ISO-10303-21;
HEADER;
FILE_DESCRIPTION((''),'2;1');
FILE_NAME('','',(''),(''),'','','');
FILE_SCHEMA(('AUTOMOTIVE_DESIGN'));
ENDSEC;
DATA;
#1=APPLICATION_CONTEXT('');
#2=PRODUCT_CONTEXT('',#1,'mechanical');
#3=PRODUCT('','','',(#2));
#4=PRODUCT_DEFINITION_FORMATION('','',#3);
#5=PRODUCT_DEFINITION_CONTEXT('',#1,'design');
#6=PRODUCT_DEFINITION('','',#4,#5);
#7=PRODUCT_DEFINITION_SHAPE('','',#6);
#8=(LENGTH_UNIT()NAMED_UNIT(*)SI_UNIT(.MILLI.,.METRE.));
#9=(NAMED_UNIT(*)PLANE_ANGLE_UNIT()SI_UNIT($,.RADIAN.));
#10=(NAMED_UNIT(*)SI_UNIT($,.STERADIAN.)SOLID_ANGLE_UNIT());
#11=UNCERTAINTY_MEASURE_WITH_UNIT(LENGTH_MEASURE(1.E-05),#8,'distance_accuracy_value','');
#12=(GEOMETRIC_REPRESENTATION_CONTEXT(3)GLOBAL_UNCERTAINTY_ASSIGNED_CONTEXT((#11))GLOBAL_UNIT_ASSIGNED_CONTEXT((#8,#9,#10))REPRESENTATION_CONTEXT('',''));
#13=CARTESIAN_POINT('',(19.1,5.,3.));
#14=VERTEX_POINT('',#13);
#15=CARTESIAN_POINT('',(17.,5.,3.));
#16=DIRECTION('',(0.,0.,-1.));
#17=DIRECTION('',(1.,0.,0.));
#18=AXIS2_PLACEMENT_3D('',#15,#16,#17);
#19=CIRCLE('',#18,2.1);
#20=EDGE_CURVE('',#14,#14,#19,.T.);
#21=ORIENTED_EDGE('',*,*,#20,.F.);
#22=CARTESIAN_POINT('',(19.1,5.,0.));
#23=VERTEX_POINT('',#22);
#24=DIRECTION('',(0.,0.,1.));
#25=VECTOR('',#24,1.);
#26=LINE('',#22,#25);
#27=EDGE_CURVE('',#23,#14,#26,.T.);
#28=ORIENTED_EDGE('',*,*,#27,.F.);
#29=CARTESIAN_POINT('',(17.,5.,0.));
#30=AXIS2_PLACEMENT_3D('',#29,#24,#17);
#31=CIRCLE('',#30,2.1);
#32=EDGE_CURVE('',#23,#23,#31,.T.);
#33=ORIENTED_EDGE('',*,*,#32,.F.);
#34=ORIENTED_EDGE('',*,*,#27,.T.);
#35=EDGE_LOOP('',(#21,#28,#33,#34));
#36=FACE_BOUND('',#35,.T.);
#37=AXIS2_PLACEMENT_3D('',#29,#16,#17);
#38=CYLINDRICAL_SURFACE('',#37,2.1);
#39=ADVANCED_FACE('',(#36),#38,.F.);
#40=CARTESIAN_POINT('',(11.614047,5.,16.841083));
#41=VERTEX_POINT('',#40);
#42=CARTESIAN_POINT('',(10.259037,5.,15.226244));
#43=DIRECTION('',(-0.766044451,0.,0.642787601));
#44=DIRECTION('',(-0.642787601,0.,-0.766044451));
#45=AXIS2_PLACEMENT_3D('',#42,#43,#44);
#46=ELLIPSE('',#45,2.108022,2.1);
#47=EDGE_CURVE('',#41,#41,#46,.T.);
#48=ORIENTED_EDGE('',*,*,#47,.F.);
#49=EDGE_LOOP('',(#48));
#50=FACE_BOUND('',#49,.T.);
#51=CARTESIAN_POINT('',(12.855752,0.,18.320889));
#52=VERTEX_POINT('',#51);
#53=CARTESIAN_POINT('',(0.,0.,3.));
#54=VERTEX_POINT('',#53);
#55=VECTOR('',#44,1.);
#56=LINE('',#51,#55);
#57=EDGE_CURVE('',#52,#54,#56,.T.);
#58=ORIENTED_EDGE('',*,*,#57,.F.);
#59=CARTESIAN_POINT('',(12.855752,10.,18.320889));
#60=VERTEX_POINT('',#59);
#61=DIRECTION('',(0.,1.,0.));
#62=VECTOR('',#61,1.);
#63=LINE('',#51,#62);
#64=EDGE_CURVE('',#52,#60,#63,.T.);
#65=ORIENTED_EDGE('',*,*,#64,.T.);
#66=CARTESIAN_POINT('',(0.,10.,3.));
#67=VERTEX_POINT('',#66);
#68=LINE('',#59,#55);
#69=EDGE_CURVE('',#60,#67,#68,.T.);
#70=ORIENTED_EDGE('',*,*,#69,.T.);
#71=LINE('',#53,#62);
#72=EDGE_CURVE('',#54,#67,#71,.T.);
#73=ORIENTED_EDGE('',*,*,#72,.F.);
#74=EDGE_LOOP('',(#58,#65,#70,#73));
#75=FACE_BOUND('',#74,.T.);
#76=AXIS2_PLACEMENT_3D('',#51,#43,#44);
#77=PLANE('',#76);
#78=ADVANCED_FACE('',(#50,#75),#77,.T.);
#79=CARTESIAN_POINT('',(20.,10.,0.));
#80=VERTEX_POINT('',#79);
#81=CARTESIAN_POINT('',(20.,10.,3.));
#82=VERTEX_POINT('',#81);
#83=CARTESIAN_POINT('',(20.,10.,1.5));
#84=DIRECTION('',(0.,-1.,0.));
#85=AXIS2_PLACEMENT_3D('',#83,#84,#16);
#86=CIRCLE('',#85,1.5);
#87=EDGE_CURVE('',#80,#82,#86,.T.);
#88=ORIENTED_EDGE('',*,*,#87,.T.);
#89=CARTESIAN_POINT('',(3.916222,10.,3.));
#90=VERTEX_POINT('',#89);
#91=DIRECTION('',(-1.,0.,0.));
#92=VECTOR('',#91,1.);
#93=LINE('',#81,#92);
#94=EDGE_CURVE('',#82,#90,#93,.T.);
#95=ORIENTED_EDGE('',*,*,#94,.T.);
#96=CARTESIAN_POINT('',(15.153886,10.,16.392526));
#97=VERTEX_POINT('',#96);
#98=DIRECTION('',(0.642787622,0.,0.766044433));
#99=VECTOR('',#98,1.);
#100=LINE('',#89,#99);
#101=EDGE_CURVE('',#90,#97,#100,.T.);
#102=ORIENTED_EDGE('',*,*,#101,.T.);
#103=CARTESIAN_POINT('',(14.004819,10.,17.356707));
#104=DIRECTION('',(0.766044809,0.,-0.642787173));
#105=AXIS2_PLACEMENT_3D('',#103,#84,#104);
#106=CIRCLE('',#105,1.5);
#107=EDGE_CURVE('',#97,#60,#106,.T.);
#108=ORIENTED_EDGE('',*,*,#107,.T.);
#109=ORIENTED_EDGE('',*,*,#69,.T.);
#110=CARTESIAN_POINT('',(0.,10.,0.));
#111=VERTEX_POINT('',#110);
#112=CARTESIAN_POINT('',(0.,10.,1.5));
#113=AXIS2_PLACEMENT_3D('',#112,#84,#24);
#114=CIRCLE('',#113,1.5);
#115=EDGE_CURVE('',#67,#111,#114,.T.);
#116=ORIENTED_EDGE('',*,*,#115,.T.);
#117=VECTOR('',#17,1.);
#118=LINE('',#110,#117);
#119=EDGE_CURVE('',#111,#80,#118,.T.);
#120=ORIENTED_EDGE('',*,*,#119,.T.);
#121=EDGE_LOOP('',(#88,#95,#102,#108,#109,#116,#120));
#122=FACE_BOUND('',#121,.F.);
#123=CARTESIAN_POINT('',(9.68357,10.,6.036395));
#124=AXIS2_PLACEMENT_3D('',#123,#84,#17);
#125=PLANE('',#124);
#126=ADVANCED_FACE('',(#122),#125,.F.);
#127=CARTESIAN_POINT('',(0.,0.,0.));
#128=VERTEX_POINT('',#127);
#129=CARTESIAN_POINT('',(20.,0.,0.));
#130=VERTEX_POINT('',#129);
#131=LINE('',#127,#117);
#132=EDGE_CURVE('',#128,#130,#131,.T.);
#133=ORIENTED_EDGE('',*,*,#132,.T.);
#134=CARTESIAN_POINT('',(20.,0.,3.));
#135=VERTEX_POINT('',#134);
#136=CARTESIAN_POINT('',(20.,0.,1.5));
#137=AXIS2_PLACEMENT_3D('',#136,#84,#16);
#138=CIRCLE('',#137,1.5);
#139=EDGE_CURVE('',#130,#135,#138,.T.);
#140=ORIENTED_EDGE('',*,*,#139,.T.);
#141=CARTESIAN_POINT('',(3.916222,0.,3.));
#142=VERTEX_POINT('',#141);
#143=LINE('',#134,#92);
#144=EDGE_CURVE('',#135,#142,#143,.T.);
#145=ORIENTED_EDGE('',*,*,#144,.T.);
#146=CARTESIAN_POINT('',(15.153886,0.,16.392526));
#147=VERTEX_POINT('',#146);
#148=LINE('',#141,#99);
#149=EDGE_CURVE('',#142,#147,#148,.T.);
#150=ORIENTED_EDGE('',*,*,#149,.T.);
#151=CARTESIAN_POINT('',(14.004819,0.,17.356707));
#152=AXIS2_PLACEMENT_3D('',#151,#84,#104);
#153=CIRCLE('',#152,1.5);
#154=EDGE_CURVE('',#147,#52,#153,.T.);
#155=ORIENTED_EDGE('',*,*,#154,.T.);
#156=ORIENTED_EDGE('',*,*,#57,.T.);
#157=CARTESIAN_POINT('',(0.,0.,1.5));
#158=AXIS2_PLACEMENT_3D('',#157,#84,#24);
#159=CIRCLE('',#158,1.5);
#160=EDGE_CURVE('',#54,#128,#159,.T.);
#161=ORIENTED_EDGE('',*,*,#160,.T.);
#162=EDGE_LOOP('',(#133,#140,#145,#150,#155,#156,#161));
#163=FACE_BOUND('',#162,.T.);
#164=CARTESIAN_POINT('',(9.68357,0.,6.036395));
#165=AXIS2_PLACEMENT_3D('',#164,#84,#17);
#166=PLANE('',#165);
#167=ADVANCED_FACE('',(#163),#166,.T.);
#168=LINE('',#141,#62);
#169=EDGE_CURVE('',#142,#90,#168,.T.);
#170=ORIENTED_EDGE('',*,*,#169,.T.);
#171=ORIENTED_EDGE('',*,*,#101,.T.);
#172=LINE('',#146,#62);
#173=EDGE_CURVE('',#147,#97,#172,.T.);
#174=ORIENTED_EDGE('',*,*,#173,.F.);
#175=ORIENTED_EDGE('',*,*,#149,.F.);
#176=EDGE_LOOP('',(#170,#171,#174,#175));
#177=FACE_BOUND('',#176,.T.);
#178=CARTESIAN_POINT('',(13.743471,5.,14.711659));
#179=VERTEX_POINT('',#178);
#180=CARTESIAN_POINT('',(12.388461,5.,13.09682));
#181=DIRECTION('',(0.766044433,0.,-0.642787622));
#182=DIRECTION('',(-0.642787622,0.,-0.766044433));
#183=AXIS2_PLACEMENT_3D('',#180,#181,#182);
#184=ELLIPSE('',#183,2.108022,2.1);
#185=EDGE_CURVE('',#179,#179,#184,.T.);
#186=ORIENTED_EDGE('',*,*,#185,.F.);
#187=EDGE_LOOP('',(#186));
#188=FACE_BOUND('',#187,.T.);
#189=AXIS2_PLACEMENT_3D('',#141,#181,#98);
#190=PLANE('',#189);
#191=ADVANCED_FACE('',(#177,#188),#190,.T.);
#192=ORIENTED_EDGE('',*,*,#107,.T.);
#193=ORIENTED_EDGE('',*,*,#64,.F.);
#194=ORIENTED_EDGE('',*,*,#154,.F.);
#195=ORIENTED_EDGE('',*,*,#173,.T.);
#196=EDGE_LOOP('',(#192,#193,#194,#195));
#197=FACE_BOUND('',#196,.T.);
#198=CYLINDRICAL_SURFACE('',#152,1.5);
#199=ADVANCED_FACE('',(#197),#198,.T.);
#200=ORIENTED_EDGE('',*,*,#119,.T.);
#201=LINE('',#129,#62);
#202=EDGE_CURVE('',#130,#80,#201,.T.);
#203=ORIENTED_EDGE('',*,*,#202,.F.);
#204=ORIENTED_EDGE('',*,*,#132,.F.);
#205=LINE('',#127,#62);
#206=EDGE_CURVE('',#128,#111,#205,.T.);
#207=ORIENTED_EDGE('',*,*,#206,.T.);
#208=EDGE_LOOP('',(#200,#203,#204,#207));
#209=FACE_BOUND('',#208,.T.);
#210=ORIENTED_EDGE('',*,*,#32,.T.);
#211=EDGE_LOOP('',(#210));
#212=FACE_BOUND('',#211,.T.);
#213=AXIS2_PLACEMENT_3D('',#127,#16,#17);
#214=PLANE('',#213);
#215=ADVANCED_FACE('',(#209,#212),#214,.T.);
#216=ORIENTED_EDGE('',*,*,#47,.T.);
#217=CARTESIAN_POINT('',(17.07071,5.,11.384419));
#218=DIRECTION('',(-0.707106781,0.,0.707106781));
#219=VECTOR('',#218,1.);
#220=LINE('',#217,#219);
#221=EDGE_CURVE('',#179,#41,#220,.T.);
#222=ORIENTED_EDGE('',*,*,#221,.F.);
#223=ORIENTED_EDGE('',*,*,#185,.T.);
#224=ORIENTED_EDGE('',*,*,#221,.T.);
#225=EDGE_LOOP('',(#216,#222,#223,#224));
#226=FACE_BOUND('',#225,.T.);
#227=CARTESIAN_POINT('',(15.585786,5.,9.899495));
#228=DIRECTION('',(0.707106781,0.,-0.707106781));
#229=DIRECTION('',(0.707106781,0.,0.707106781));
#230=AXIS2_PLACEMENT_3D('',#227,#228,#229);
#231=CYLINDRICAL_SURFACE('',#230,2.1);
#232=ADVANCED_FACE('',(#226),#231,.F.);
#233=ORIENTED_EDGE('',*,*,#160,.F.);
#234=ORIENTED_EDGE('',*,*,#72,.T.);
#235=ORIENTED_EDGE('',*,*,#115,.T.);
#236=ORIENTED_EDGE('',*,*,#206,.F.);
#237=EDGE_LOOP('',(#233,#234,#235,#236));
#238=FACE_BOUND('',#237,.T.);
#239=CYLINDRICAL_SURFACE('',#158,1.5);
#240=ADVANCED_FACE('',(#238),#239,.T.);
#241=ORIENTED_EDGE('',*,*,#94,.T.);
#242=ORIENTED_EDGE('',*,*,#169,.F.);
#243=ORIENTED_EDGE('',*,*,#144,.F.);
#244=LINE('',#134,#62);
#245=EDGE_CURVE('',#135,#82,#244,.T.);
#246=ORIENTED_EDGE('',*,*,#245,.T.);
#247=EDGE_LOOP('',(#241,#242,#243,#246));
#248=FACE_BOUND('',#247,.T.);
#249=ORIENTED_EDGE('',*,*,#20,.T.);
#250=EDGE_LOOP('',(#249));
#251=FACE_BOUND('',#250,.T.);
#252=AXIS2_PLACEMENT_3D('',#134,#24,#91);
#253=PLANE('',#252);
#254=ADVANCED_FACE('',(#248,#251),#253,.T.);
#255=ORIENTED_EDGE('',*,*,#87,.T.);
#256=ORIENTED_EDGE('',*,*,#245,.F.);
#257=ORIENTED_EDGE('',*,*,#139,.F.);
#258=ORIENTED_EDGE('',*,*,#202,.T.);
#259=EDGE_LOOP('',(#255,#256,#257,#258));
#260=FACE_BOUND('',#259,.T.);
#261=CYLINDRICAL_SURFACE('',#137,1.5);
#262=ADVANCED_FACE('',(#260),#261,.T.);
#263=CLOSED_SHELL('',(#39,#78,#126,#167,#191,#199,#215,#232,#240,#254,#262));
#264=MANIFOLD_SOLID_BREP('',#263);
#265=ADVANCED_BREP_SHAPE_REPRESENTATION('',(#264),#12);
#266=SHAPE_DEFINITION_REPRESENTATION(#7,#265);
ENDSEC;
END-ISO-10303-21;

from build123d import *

# Parameters (mm, degrees)
CYLINDER001_R               = 2.1
CYLINDER001_DEPTH           = 10
CYLINDER001_PLACEMENT_ANGLE = 45
CYLINDER_R                  = 2.1
CYLINDER_DEPTH              = 10
PAD_DEPTH                   = 10


with BuildPart() as insert_hole001:
    # Cylinder001 → Cylinder001 (new body)
    with BuildSketch(Plane.XY):
        Circle(CYLINDER001_R)
    extrude(amount=CYLINDER001_DEPTH)


with BuildPart() as insert_hole001_1:
    # Cylinder001 placement: moved
    add(insert_hole001.part.moved(Location((15.585786, 5, 9.899495))).rotate(Axis((15.585786, 5, 9.899495), (0, -1, 0)), CYLINDER001_PLACEMENT_ANGLE))


with BuildPart() as hole_fusion:
    # Cylinder → Cylinder (new body)
    with BuildSketch(Plane(origin=(17, 5, 0), x_dir=(1, 0, 0), z_dir=(0, 0, 1))):
        Circle(CYLINDER_R)
    extrude(amount=CYLINDER_DEPTH)

    # Fusion: union insert hole001
    add(insert_hole001_1.part)


with BuildPart() as angle_cut:
    # Sketch → Pad (new body)
    with BuildSketch(Plane.XZ):
        with BuildLine():
            Line((12.855752, 18.320889), (0, 3))
            ThreePointArc((0, 3), (-1.5, 1.5), (0, 0))
            Line((0, 0), (20, 0))
            ThreePointArc((20, 0), (21.5, 1.5), (20, 3))
            Line((20, 3), (3.916222, 3))
            Line((3.916222, 3), (15.153886, 16.392526))
            ThreePointArc((15.153886, 16.392526), (14.969, 18.505774), (12.855752, 18.320889))
        make_face()
    extrude(amount=-PAD_DEPTH)

    # Cut: cut hole fusion
    add(hole_fusion.part, mode=Mode.SUBTRACT)


solid = angle_cut.part
